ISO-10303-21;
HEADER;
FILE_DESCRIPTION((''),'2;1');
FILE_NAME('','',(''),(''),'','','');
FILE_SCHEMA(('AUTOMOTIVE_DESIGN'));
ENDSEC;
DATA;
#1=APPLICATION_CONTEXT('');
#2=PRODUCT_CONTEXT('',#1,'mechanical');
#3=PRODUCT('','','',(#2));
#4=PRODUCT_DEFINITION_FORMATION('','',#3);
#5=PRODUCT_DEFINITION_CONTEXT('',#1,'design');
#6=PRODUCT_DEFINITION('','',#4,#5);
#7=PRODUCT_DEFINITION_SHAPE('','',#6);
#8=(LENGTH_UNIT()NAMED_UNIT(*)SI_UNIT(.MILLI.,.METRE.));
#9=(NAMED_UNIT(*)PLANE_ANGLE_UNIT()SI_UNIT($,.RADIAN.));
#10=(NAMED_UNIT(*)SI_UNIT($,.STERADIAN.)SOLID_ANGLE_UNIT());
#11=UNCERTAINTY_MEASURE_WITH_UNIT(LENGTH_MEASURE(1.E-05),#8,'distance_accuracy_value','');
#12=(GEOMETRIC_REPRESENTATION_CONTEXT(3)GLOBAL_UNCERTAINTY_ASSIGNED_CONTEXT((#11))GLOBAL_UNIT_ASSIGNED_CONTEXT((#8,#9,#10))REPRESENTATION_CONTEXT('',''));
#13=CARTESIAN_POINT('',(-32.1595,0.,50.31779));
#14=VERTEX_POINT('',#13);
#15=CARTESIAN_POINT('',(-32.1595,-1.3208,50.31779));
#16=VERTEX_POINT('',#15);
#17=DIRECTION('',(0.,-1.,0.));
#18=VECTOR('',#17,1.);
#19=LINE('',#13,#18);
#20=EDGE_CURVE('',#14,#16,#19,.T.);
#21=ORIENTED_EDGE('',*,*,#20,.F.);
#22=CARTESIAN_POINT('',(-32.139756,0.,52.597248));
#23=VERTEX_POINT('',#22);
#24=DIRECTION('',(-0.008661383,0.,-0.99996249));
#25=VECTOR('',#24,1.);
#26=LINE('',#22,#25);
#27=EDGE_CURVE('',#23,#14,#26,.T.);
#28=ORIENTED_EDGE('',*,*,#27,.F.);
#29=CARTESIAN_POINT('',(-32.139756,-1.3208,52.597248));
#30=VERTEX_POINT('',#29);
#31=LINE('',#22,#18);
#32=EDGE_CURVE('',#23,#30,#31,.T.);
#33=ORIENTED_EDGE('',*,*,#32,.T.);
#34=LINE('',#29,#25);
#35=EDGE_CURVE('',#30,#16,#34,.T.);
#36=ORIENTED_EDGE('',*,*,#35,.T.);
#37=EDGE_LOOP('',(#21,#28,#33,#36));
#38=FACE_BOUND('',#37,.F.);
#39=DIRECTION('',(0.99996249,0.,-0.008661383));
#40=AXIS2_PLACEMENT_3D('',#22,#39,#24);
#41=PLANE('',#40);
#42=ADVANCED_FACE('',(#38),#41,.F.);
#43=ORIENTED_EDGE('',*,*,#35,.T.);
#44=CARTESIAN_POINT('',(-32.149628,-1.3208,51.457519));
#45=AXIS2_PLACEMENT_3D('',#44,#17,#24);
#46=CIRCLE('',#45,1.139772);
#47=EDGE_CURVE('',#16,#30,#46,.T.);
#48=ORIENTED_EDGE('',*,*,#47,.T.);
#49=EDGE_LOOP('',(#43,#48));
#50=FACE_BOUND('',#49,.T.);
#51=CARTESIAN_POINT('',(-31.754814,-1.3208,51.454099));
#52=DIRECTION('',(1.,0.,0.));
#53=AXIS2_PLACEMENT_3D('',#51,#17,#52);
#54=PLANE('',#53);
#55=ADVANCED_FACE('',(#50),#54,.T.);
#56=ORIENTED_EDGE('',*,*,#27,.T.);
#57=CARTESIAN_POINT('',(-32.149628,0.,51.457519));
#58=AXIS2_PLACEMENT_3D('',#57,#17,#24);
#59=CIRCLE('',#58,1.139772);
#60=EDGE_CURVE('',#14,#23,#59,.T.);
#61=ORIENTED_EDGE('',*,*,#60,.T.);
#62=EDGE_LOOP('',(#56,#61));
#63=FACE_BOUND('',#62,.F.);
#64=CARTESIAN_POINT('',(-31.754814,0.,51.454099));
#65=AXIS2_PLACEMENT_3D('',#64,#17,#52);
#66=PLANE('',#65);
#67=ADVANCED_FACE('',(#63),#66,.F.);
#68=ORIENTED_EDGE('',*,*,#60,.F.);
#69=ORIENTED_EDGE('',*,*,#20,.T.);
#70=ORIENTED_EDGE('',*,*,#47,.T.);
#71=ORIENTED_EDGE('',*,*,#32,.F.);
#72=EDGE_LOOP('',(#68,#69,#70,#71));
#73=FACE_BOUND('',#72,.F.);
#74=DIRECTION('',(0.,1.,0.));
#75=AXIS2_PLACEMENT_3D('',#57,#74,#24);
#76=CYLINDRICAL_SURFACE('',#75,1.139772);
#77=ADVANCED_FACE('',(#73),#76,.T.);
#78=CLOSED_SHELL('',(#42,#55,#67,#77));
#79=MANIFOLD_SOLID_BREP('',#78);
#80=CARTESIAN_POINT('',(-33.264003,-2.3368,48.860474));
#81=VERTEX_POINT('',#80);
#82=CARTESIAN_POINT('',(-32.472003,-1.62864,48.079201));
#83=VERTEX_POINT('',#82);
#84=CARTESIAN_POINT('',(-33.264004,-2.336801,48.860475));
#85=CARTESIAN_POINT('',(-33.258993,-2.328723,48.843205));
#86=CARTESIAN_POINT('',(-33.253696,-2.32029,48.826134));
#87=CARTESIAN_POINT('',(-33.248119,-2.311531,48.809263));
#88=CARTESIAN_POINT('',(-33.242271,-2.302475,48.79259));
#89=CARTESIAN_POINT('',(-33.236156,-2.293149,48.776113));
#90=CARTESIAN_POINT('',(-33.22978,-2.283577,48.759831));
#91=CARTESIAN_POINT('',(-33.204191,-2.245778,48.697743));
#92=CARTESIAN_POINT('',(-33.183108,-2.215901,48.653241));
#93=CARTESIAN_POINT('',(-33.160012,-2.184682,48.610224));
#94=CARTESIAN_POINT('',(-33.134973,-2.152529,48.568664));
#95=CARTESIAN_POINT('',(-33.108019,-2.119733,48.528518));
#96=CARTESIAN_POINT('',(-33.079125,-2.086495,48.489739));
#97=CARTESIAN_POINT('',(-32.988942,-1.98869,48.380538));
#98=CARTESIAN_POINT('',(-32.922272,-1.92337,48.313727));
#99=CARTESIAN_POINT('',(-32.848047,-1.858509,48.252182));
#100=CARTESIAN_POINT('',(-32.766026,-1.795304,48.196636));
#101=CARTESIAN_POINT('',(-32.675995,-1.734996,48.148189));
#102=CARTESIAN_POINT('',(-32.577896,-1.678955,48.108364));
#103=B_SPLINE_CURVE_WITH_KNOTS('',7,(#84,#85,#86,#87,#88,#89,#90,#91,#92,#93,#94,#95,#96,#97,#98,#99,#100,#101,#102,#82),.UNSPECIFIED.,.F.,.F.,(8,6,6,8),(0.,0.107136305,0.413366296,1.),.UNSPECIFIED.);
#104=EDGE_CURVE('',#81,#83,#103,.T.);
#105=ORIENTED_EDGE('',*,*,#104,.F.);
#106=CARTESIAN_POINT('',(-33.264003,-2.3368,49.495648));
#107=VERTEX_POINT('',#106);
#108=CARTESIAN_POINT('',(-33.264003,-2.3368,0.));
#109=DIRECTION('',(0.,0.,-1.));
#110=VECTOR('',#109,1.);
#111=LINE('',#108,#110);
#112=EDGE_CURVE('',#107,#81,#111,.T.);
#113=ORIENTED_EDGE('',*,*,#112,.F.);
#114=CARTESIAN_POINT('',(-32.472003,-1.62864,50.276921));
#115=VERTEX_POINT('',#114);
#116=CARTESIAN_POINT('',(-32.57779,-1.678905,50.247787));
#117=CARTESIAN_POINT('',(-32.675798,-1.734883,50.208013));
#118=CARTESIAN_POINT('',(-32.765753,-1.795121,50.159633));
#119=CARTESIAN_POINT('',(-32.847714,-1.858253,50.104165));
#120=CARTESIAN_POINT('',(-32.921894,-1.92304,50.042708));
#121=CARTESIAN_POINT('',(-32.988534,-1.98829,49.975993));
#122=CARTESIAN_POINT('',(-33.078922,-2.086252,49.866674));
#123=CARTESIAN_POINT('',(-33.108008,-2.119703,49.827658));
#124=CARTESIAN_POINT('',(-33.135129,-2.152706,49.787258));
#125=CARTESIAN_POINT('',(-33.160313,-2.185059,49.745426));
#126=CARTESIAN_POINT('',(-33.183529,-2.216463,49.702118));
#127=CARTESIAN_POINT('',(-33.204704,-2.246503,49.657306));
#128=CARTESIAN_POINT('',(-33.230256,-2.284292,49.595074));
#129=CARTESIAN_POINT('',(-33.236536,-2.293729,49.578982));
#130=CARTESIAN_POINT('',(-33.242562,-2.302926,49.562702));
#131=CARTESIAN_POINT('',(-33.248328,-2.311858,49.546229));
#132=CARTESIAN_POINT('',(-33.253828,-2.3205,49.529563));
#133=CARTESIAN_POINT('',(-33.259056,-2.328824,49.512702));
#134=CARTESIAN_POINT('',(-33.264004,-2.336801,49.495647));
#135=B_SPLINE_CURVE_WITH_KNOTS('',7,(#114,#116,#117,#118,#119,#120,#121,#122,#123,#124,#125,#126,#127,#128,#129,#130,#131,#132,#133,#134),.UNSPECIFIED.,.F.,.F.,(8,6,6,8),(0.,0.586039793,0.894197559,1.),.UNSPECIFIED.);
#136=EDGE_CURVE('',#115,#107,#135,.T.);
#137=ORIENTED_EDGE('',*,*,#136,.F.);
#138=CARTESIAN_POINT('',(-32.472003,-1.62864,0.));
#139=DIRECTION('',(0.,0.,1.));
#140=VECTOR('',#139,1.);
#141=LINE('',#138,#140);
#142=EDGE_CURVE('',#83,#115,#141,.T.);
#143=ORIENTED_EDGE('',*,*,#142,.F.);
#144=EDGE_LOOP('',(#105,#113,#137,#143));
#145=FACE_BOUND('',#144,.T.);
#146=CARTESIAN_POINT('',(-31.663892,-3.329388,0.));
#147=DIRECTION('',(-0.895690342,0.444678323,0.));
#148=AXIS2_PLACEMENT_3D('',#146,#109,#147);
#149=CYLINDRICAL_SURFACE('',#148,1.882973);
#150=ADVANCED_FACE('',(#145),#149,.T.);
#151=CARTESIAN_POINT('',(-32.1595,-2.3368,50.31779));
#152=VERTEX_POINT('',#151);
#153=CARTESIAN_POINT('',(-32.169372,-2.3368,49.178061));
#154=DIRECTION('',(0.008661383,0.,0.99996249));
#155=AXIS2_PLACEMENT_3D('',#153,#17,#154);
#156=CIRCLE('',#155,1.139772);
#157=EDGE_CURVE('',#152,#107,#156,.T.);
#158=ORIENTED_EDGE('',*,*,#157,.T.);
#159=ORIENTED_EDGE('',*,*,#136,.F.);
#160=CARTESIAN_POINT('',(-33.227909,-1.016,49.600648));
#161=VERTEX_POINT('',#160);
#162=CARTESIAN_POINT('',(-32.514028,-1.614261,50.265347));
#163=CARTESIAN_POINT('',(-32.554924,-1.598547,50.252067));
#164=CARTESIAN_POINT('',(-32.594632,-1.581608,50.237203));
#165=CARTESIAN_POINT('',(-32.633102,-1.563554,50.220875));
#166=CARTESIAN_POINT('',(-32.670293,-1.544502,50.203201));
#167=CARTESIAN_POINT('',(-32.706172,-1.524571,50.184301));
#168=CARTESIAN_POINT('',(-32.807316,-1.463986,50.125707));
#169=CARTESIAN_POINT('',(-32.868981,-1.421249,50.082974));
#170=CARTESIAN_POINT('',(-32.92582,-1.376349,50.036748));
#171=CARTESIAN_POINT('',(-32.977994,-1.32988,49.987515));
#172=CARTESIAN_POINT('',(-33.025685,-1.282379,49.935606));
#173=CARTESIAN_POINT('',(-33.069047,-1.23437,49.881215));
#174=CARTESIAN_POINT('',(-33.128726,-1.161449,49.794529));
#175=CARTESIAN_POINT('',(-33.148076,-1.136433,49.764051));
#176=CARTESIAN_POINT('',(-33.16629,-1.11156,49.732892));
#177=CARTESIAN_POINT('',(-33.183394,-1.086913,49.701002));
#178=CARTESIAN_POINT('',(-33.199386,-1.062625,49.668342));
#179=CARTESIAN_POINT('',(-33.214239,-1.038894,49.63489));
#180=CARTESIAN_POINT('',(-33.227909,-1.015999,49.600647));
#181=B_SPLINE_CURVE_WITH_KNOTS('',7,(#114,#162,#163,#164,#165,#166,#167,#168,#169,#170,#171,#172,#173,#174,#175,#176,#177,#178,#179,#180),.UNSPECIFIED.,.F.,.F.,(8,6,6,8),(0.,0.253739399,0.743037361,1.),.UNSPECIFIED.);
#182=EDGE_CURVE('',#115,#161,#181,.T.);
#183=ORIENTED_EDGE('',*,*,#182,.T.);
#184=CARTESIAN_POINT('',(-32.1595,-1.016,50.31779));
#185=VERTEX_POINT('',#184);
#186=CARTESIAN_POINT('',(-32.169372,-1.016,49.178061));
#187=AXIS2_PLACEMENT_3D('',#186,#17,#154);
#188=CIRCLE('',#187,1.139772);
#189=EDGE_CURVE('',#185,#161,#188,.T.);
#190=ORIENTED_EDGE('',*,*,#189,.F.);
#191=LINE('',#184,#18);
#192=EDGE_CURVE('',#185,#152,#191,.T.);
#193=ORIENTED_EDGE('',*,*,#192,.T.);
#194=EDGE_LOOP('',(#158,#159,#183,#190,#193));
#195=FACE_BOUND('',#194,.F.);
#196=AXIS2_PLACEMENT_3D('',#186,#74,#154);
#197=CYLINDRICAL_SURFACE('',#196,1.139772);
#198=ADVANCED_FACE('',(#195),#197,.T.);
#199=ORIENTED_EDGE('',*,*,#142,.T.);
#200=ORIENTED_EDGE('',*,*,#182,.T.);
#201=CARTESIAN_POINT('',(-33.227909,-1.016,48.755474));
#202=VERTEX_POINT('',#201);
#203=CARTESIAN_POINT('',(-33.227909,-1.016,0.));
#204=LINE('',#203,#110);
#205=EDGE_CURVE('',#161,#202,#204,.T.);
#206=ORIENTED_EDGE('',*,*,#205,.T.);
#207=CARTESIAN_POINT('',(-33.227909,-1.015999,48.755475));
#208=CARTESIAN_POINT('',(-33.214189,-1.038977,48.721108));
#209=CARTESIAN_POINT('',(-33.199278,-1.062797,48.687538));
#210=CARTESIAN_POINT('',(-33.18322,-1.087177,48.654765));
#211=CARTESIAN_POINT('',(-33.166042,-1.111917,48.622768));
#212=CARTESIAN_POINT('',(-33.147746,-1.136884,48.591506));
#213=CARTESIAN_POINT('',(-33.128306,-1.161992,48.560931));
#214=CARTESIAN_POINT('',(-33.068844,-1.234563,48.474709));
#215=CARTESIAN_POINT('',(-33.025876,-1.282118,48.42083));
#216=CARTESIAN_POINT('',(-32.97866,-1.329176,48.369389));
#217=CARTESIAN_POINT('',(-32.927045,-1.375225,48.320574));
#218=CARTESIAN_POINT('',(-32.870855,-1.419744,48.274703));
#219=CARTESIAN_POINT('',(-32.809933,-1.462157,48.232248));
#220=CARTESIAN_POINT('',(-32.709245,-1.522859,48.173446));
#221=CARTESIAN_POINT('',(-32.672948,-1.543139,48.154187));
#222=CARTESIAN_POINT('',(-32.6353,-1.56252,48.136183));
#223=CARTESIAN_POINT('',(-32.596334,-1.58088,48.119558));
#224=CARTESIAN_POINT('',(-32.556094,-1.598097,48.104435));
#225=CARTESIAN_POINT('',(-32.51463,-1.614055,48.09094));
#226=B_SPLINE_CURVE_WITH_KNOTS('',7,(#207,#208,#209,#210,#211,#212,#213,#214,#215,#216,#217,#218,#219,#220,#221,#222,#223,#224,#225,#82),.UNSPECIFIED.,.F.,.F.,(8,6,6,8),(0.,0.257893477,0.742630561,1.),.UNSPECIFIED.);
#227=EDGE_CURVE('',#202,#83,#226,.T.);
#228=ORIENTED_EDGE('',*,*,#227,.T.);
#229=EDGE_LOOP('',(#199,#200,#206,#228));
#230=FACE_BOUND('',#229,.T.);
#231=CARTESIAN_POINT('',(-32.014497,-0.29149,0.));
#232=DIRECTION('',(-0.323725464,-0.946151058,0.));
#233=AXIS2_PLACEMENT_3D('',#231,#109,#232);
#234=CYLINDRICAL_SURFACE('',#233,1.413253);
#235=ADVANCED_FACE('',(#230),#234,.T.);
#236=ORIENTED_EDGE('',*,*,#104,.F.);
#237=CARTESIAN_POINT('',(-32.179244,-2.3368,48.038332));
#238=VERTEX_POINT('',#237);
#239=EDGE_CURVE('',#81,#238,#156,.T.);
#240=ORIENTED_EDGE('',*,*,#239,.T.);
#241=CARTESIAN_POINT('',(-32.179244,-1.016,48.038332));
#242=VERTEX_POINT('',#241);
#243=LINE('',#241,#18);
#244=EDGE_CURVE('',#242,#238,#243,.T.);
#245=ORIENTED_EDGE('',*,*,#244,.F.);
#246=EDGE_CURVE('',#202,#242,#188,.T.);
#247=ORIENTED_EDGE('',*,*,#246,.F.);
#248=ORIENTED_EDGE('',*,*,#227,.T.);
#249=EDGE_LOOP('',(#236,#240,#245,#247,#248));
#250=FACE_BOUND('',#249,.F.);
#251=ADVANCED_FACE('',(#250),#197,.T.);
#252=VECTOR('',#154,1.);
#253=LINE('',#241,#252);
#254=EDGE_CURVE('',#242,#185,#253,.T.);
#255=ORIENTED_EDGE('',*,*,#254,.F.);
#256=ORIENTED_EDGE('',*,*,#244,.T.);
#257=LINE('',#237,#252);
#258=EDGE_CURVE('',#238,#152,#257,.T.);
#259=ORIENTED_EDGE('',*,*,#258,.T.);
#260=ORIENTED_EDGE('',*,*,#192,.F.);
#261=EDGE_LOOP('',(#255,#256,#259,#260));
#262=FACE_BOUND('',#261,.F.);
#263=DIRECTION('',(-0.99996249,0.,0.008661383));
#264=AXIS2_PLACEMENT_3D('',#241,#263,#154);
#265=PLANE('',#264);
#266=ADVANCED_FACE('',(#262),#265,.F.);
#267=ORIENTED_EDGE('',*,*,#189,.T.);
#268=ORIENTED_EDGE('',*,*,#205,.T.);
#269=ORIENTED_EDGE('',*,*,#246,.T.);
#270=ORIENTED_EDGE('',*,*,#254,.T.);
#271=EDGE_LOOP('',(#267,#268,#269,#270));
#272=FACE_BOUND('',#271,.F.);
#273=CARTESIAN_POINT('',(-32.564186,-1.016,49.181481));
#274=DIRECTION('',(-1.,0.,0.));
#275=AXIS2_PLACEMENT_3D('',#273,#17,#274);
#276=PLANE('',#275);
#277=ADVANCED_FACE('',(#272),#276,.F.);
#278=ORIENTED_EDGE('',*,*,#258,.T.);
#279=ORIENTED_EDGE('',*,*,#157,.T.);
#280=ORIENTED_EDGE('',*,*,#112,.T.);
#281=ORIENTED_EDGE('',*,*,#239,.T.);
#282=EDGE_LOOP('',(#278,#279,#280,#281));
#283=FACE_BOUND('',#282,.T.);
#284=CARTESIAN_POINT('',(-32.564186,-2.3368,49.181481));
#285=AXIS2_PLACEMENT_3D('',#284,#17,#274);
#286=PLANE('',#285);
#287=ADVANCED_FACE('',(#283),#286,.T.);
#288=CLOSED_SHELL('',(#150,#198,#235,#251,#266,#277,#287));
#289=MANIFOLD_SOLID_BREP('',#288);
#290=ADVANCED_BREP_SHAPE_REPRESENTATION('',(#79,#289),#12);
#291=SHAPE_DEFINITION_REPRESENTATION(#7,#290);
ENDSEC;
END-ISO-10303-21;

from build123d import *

# Parameters (mm, degrees)
F1_DEPTH = 1.3208
F2_ANGLE = 180
F5_DEPTH = 101.6


with BuildPart() as f1:
    # F0 (on Front) → F1 (new body)
    with BuildSketch(Plane.XZ):
        with BuildLine():
            Line((-32.139756, 52.597248), (-32.1595, 50.31779))
            ThreePointArc((-32.1595, 50.31779), (-31.009899, 51.447647), (-32.139756, 52.597248))
        make_face()
    extrude(amount=F1_DEPTH)


with BuildPart() as f2_1:
    # F2: copy of F1
    add(f1.part.rotate(Axis((-32.1595, -0.6604, 50.31779), (0, -1, 0)), F2_ANGLE))


with BuildPart() as f2_1_1:
    # F3: moved
    add(f2_1.part.moved(Location((0, -1.016, 0))))

    # F4 (on Top) → F5 (cut)
    with BuildSketch(Plane.XY):
        with BuildLine():
            ThreePointArc((-32.472003, -1.62864), (-33.012517, -1.292109), (-33.350453, -0.752472))
            Line((-33.350453, -0.752472), (-33.350453, -2.492071))
            ThreePointArc((-33.350453, -2.492071), (-32.983826, -1.986495), (-32.472003, -1.62864))
        make_face()
    extrude(amount=F5_DEPTH, mode=Mode.SUBTRACT)


solid = Compound([f1.part, f2_1_1.part])
